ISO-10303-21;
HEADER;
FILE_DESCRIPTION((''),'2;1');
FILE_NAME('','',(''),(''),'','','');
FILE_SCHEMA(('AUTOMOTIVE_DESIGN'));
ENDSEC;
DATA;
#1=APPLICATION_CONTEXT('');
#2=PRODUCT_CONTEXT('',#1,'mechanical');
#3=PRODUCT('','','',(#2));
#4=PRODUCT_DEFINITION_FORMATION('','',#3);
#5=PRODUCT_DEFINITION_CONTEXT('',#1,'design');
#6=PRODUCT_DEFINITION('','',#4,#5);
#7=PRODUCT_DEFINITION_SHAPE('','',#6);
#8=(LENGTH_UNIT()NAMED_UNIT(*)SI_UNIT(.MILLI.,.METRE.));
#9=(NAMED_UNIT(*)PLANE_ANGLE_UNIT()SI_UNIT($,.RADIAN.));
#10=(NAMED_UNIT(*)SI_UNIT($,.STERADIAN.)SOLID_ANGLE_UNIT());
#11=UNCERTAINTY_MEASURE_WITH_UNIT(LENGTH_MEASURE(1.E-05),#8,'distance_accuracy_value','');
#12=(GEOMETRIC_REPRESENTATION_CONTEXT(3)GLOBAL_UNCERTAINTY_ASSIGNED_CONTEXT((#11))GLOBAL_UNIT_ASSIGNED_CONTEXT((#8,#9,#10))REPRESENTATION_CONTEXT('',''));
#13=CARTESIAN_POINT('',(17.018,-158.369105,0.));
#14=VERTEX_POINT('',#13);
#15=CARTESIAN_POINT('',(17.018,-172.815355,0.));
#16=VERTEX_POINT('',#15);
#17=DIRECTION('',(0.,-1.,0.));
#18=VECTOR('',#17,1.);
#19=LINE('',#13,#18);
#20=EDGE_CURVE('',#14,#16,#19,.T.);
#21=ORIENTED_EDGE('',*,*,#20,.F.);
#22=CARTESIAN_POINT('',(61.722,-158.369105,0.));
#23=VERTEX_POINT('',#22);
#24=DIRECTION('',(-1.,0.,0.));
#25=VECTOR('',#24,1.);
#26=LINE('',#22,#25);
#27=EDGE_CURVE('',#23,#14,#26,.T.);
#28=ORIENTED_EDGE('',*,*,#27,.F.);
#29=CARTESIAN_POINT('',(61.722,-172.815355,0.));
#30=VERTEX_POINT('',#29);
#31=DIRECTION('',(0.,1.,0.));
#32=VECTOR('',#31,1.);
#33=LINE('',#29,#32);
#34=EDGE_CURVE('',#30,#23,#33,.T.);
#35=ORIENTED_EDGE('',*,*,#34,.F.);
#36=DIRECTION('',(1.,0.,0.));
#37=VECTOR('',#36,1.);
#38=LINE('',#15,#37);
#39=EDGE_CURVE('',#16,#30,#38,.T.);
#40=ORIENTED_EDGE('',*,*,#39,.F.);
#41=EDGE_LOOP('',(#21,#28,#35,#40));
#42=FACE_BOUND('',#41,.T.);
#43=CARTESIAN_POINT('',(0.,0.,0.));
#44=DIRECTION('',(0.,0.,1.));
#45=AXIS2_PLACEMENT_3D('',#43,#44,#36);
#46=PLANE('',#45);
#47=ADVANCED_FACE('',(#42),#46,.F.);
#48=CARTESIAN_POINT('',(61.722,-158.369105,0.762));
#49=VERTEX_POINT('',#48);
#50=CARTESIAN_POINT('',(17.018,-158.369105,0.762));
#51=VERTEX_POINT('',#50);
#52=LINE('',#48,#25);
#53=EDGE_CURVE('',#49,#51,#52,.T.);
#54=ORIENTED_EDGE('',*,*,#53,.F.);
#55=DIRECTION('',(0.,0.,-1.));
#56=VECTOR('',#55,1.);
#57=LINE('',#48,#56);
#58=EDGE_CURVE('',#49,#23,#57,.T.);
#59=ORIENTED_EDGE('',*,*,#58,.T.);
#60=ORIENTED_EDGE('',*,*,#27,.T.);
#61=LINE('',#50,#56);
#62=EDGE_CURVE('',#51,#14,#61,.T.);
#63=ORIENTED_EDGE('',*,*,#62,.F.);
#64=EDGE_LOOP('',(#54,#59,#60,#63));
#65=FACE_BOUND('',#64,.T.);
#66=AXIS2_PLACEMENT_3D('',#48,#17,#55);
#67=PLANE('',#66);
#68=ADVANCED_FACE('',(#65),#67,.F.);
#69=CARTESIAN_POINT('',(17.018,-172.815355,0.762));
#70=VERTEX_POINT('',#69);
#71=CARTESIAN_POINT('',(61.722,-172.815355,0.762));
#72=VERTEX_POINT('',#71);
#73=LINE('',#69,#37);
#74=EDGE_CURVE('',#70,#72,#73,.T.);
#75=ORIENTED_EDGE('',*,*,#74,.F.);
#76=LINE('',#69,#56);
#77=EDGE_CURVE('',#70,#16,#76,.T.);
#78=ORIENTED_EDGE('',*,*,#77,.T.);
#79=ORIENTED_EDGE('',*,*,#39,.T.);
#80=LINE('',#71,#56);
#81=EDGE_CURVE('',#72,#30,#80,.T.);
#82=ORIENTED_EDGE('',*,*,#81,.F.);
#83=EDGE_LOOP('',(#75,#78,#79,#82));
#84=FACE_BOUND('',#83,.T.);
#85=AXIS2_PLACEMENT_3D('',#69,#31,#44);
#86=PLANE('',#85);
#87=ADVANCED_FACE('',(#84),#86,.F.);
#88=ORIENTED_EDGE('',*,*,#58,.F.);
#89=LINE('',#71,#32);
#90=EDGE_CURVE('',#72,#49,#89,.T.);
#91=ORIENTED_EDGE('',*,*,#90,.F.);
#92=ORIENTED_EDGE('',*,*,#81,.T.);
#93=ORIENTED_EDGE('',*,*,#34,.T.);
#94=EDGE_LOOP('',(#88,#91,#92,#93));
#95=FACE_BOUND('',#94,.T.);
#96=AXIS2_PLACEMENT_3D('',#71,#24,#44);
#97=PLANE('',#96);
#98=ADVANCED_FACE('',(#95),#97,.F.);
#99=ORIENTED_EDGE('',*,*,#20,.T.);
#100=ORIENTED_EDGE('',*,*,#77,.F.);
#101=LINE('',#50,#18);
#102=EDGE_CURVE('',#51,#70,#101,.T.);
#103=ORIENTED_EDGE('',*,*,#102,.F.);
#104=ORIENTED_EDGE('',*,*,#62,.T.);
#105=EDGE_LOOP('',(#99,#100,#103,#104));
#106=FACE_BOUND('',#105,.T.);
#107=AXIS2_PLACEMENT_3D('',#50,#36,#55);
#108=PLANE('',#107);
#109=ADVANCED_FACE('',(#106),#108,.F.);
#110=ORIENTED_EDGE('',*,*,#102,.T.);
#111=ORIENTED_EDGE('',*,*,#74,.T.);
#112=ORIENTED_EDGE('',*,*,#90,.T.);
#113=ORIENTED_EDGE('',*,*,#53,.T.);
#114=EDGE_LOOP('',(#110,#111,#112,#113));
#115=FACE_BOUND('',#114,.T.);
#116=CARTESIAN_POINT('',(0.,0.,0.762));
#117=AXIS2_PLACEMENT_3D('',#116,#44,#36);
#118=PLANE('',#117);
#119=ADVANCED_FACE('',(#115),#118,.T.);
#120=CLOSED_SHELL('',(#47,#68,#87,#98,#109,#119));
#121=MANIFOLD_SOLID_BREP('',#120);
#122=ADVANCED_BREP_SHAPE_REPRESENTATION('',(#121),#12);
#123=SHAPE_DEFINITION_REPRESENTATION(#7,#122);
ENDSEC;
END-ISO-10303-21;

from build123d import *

# Parameters (mm, degrees)
SKETCH1_W           = 44.704
SKETCH1_H           = 14.44625
BOSS_EXTRUDE1_DEPTH = 0.762


with BuildPart() as part:
    # Sketch1 → Boss-Extrude1 (new body)
    with BuildSketch(Plane.XY):
        with Locations((39.37, -165.5922297)):
            Rectangle(SKETCH1_W, SKETCH1_H)
    extrude(amount=BOSS_EXTRUDE1_DEPTH)


solid = part.part
